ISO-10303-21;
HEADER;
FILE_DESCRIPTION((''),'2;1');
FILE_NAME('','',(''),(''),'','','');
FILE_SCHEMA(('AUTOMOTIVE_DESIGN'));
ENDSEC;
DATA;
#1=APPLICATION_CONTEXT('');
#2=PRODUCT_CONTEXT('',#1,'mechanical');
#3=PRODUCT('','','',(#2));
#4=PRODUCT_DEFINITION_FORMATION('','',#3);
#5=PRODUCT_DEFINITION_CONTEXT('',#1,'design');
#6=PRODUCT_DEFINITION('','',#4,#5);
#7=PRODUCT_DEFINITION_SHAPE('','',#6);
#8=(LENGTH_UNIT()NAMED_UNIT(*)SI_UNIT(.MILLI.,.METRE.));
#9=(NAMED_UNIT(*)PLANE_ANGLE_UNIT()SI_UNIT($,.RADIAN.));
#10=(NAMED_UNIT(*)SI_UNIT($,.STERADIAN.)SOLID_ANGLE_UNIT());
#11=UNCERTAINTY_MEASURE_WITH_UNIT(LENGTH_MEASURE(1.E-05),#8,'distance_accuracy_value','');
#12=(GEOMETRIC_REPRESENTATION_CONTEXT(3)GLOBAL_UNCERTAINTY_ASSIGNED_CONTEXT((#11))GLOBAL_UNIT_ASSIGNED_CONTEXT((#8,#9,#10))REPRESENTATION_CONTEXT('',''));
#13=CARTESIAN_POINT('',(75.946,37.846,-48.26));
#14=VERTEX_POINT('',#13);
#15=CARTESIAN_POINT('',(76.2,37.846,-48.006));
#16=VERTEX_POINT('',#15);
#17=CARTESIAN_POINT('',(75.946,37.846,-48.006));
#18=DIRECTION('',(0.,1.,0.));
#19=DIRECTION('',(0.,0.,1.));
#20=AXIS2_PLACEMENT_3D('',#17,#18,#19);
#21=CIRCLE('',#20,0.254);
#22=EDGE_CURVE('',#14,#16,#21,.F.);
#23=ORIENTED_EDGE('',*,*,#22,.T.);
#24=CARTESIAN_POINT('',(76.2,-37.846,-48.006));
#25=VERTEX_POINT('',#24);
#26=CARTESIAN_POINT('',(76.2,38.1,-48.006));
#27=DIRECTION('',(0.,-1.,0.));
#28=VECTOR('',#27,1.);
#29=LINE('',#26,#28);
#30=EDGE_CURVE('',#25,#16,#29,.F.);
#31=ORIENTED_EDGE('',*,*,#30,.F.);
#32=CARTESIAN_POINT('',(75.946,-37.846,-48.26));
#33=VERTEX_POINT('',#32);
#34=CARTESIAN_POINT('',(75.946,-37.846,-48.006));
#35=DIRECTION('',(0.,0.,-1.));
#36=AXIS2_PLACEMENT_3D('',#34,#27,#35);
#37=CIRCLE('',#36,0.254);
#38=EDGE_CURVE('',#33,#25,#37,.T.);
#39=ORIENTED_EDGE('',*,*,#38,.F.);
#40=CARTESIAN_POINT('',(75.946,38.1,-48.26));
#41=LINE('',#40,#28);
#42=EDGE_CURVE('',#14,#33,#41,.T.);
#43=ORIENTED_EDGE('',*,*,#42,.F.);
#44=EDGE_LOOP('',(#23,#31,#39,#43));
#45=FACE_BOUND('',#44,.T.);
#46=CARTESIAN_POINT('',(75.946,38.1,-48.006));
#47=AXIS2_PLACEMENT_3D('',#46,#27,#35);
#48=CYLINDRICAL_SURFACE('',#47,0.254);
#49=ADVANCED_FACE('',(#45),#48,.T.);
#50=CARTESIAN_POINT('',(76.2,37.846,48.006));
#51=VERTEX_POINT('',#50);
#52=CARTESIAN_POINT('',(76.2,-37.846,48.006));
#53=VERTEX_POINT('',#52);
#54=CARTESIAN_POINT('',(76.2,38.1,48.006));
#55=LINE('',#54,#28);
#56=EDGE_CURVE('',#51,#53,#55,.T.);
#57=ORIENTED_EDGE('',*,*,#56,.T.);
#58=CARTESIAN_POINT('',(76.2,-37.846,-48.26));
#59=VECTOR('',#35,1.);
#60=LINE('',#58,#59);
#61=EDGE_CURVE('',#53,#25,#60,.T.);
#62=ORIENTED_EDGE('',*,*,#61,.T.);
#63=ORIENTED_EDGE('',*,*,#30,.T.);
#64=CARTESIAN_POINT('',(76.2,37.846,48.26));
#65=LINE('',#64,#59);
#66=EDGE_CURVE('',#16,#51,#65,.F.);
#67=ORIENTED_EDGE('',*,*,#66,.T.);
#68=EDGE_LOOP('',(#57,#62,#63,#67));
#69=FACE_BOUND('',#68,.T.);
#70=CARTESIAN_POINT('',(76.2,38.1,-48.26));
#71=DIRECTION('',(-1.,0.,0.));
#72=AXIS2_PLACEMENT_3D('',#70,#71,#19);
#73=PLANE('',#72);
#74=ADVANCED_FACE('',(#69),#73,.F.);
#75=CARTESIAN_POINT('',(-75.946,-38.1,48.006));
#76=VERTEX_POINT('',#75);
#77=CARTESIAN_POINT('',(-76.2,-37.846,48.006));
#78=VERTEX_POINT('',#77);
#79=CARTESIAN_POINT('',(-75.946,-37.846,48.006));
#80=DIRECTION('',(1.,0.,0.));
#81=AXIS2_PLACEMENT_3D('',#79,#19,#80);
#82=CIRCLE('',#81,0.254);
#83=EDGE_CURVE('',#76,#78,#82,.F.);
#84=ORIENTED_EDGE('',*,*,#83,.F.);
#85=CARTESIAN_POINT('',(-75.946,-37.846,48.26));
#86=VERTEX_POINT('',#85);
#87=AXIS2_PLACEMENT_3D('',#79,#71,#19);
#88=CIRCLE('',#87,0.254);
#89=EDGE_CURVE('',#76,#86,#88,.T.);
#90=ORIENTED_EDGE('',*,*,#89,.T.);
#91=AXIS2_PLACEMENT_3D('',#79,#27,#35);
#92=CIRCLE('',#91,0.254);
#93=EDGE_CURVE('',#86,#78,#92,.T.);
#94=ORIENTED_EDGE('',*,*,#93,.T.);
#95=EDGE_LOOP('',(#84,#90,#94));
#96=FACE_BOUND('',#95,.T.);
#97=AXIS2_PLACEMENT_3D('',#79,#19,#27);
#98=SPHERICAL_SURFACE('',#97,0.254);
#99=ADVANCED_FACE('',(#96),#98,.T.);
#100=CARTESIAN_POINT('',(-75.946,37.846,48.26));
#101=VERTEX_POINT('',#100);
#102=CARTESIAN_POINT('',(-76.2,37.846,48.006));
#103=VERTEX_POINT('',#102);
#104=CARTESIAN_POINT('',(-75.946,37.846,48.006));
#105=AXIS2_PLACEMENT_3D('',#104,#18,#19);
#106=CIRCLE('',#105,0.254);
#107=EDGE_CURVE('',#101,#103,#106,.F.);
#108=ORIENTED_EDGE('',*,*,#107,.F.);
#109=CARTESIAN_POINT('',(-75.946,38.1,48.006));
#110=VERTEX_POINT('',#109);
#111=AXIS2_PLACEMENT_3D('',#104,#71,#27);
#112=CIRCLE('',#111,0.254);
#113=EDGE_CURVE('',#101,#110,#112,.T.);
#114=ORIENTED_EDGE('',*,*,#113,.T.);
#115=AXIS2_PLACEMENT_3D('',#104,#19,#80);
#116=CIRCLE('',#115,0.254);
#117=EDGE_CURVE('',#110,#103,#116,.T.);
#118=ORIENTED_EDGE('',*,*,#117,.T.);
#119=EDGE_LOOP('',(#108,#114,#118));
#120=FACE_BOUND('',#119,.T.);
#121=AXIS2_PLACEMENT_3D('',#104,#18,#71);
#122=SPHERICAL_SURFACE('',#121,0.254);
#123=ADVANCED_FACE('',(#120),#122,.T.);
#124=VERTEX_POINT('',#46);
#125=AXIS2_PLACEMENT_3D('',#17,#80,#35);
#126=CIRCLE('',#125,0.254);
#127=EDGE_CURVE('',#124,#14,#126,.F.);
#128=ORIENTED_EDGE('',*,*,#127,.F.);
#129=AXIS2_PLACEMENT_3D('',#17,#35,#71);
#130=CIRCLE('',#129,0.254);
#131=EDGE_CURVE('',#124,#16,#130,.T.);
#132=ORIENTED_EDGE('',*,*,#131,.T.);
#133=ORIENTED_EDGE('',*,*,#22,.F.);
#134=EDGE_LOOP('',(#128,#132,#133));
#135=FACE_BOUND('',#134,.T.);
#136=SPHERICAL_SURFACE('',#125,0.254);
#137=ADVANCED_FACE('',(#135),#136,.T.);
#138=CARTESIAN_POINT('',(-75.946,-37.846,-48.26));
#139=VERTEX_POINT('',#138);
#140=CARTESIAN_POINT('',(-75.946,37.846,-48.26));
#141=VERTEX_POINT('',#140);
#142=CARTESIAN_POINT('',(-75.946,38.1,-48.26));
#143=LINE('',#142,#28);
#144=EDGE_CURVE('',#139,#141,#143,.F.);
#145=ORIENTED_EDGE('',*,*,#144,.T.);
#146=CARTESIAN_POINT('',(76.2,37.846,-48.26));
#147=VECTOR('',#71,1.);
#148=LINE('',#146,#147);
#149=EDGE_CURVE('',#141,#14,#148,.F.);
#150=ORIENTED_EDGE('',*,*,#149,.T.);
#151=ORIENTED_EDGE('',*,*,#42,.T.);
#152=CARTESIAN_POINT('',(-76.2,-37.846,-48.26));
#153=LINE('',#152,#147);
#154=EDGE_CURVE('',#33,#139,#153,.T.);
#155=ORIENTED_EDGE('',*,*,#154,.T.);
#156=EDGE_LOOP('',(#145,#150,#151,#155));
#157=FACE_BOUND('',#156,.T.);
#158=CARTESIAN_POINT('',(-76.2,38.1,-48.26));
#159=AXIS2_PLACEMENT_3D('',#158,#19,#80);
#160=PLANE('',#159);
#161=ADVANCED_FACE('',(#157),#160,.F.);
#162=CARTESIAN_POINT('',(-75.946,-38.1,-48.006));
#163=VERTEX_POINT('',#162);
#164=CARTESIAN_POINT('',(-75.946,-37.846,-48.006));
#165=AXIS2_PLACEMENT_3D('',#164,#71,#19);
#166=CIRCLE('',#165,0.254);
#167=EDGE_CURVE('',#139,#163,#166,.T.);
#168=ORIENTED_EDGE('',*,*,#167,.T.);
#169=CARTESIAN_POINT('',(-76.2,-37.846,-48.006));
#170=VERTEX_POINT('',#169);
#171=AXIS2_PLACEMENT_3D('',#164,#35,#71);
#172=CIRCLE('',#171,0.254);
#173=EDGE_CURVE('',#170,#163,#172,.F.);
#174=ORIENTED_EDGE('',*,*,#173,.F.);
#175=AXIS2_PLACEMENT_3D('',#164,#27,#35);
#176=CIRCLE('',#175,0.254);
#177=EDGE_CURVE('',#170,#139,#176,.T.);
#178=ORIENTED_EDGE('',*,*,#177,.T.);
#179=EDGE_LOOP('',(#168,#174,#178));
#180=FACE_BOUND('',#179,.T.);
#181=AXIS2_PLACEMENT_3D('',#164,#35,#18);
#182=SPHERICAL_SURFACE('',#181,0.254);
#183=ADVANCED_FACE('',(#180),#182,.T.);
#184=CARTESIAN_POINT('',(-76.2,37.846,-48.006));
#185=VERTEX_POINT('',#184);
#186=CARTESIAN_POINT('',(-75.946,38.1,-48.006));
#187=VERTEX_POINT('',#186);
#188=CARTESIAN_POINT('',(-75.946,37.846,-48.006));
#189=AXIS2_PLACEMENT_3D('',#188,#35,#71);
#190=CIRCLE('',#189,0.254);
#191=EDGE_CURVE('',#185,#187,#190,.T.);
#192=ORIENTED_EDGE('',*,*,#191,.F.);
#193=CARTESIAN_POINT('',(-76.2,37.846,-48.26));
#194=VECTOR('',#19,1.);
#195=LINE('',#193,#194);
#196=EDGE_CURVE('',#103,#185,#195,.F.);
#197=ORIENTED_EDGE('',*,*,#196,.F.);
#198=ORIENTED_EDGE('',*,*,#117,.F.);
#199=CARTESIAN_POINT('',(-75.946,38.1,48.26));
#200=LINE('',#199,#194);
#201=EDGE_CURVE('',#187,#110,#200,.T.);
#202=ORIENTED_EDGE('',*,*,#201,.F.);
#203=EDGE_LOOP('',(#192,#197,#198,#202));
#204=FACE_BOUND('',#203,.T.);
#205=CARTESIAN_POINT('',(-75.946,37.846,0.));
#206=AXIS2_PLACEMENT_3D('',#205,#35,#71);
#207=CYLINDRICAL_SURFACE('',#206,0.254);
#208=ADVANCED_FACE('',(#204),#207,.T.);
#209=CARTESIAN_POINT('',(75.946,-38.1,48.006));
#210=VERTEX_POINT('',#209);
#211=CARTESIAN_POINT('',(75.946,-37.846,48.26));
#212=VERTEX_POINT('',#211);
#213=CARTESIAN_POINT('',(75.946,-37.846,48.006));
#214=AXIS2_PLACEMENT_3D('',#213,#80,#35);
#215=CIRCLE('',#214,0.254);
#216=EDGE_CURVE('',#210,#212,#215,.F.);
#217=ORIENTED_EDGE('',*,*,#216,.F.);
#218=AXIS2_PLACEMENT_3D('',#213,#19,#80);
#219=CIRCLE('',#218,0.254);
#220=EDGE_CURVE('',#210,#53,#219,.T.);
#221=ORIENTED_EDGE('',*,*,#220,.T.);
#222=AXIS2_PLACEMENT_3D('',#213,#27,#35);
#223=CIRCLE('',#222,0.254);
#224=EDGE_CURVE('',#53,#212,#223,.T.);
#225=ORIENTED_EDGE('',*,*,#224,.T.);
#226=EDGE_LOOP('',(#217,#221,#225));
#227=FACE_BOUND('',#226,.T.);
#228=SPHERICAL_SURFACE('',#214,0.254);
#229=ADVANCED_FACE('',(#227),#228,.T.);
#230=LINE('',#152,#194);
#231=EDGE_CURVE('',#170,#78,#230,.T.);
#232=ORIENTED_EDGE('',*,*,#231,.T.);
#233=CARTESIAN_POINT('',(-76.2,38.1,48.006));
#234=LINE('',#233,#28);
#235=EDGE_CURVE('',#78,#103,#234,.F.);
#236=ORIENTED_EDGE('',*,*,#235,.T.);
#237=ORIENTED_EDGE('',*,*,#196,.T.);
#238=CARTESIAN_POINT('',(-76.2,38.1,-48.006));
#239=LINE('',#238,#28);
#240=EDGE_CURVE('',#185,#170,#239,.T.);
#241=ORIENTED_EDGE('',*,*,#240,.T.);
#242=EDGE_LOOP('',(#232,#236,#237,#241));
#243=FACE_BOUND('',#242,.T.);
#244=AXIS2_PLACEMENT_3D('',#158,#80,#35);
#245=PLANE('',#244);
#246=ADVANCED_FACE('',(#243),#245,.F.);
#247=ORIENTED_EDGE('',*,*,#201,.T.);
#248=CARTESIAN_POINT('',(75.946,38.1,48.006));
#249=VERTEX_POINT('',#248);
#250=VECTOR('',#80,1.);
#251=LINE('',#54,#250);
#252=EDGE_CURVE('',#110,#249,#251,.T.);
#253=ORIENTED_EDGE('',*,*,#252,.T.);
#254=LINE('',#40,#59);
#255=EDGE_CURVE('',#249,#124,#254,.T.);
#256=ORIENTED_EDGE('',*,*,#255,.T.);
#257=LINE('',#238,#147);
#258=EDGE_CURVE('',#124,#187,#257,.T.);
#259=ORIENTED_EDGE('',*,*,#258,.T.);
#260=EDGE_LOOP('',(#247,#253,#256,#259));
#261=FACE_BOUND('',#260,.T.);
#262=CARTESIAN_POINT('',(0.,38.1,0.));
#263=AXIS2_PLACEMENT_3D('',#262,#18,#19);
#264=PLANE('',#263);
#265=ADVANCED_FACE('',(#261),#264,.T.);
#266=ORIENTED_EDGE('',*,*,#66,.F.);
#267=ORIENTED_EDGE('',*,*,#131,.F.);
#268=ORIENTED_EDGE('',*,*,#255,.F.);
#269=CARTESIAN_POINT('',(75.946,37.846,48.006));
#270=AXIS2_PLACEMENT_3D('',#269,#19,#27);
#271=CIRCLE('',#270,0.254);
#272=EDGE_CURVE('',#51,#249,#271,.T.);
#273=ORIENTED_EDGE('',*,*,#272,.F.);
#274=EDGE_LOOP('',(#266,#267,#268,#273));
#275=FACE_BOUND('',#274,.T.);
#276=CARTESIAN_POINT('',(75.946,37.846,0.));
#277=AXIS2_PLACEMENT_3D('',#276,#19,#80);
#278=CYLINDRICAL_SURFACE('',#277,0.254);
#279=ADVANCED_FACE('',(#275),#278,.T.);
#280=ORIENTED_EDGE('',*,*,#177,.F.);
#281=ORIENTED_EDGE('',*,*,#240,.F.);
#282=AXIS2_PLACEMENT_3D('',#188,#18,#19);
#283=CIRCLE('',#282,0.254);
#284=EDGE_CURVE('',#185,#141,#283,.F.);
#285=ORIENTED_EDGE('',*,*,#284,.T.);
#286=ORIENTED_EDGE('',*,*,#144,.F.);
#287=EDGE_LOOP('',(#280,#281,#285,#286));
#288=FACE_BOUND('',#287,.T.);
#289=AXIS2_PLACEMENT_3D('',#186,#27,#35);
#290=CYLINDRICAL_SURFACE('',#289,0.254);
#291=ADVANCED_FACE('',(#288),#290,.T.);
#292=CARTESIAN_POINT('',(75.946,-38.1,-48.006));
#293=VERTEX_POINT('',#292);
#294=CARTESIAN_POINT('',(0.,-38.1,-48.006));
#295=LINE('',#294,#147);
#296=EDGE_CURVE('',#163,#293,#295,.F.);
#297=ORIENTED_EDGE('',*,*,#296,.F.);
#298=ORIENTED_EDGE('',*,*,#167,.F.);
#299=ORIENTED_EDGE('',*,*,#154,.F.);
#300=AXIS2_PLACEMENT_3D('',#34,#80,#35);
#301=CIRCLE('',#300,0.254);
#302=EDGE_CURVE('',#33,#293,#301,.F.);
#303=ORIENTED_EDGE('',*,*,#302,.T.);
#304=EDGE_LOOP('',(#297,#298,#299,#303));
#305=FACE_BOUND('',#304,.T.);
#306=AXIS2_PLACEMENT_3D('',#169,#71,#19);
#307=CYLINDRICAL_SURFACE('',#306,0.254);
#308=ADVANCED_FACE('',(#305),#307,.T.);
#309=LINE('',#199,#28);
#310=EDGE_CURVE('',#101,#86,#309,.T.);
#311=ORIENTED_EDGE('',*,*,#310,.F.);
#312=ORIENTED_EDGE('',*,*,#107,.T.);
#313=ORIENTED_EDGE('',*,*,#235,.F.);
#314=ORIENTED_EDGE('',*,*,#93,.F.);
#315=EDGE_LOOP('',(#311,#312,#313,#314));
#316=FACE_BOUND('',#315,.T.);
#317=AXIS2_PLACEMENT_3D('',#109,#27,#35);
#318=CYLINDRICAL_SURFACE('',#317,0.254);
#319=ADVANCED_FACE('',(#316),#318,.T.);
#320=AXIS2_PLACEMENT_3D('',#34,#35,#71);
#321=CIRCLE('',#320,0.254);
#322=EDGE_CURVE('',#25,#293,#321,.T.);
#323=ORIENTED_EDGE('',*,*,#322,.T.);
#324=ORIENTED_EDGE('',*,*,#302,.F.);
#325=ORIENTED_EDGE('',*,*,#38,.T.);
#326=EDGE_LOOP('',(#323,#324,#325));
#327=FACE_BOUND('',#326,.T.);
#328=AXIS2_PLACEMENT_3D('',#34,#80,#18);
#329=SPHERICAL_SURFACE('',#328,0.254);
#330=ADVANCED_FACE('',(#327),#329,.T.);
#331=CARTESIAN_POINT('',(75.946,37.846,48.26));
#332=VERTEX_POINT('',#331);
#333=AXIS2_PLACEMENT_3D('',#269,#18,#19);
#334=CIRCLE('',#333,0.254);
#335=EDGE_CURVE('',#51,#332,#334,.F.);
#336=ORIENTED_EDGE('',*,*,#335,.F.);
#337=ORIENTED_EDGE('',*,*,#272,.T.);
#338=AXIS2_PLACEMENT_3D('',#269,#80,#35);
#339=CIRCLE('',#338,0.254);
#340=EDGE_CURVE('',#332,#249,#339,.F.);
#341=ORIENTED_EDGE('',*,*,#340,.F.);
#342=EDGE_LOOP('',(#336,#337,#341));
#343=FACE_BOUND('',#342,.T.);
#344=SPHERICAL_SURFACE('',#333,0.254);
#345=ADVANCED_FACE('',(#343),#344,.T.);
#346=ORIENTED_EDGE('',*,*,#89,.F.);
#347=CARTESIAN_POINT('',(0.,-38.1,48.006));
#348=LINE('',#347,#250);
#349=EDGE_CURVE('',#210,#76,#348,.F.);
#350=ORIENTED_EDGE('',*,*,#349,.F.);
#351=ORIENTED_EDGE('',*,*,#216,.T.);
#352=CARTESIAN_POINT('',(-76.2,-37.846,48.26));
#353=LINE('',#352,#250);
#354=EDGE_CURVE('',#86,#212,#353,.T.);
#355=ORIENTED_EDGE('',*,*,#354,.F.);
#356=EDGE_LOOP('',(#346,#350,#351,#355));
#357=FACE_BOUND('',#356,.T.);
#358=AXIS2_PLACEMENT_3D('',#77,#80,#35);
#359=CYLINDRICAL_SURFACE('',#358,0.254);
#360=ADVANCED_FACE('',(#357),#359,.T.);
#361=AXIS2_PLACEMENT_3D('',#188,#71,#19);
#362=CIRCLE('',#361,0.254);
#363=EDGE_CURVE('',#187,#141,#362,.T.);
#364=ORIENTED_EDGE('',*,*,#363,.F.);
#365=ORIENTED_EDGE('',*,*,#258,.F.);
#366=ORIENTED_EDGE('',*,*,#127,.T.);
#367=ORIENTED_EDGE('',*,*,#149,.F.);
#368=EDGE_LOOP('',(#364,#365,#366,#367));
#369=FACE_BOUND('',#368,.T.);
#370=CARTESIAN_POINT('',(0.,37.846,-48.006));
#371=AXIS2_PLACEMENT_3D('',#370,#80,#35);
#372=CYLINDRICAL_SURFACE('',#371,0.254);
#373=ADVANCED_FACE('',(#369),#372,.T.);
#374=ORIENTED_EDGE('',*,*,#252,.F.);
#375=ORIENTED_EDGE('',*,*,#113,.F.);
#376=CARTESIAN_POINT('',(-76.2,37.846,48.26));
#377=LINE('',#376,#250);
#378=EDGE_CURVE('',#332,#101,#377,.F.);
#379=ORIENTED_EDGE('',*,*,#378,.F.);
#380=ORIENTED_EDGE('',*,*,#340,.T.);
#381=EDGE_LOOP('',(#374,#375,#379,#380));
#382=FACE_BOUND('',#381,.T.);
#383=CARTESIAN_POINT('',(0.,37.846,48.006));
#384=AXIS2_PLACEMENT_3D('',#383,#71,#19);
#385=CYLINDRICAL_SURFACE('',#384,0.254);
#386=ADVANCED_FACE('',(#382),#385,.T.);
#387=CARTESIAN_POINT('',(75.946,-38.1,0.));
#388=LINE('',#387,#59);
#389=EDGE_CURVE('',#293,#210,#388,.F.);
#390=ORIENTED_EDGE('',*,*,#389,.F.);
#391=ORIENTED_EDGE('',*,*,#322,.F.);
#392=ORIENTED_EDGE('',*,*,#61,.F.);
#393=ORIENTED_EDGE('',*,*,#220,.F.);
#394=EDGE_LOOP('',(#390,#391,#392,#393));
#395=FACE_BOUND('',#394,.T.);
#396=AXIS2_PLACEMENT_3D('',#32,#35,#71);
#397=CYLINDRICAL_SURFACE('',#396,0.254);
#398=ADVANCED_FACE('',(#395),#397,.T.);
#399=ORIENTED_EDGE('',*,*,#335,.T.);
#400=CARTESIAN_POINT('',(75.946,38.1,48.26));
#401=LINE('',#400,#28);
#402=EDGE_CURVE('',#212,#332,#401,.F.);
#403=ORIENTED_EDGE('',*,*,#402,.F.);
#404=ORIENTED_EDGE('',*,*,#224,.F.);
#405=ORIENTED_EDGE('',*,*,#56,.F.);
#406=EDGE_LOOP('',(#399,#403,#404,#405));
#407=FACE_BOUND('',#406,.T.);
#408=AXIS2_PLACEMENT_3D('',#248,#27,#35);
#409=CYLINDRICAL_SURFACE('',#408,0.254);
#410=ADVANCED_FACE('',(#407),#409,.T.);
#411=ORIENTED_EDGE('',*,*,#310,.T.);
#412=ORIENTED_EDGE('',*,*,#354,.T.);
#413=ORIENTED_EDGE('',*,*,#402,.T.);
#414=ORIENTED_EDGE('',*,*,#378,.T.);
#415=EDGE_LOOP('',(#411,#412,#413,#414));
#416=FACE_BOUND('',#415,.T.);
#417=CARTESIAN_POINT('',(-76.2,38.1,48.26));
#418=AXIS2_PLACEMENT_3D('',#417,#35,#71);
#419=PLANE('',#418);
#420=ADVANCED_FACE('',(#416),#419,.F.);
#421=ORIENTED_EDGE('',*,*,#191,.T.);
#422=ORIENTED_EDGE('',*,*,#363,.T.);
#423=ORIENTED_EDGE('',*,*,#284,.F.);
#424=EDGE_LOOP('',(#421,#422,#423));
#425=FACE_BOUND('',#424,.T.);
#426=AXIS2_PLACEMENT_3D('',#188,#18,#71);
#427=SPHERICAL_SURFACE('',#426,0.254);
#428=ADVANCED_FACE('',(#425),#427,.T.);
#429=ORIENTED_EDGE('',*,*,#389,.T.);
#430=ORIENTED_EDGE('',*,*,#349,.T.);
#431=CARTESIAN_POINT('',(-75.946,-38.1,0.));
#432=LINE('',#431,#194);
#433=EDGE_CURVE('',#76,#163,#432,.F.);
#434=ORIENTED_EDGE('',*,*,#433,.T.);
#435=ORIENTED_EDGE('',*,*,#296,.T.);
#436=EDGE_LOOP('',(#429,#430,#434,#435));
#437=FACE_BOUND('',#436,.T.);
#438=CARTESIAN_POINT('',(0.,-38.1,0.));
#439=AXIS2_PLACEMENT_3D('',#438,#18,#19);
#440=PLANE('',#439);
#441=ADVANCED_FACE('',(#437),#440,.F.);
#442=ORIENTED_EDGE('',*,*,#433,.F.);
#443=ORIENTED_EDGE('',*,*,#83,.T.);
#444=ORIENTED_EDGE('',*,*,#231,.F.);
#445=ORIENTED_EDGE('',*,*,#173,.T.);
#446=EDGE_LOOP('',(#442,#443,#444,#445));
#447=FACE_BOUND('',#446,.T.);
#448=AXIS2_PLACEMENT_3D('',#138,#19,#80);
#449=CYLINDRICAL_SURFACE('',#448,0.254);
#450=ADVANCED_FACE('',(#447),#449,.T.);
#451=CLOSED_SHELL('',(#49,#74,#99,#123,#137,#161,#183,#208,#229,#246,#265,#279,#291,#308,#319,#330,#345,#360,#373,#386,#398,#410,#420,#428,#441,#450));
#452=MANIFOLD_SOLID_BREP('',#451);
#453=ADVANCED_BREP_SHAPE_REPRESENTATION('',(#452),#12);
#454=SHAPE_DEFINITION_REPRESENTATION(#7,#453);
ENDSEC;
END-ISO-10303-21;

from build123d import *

# Parameters (mm, degrees)
SKETCH1_W           = 152.4
SKETCH1_H           = 96.52
BOSS_EXTRUDE1_DEPTH = 38.1
FILLET1_R           = 0.254


with BuildPart() as part:
    # Sketch1 → Boss-Extrude1 (new body, symmetric)
    with BuildSketch(Plane(origin=(0, 0, 0), x_dir=(1, 0, 0), z_dir=(0, 1, 0))):
        Rectangle(SKETCH1_W, SKETCH1_H)
    extrude(amount=BOSS_EXTRUDE1_DEPTH, both=True)

    # Fillet1
    fillet1_edges = [part.edges().sort_by_distance(p)[0] for p in [
        (-76.2, 38.1, 0),
        (0, 38.1, 48.26),
        (76.2, 38.1, 0),
        (0, -38.1, 48.26),
        (-76.2, -38.1, 0),
        (0, -38.1, -48.26),
        (76.2, -38.1, 0),
        (76.2, 0, 48.26),
        (-76.2, 0, 48.26),
        (-76.2, 0, -48.26),
        (76.2, 0, -48.26),
        (0, 38.1, -48.26),
    ]]
    fillet(fillet1_edges, radius=FILLET1_R)


solid = part.part
